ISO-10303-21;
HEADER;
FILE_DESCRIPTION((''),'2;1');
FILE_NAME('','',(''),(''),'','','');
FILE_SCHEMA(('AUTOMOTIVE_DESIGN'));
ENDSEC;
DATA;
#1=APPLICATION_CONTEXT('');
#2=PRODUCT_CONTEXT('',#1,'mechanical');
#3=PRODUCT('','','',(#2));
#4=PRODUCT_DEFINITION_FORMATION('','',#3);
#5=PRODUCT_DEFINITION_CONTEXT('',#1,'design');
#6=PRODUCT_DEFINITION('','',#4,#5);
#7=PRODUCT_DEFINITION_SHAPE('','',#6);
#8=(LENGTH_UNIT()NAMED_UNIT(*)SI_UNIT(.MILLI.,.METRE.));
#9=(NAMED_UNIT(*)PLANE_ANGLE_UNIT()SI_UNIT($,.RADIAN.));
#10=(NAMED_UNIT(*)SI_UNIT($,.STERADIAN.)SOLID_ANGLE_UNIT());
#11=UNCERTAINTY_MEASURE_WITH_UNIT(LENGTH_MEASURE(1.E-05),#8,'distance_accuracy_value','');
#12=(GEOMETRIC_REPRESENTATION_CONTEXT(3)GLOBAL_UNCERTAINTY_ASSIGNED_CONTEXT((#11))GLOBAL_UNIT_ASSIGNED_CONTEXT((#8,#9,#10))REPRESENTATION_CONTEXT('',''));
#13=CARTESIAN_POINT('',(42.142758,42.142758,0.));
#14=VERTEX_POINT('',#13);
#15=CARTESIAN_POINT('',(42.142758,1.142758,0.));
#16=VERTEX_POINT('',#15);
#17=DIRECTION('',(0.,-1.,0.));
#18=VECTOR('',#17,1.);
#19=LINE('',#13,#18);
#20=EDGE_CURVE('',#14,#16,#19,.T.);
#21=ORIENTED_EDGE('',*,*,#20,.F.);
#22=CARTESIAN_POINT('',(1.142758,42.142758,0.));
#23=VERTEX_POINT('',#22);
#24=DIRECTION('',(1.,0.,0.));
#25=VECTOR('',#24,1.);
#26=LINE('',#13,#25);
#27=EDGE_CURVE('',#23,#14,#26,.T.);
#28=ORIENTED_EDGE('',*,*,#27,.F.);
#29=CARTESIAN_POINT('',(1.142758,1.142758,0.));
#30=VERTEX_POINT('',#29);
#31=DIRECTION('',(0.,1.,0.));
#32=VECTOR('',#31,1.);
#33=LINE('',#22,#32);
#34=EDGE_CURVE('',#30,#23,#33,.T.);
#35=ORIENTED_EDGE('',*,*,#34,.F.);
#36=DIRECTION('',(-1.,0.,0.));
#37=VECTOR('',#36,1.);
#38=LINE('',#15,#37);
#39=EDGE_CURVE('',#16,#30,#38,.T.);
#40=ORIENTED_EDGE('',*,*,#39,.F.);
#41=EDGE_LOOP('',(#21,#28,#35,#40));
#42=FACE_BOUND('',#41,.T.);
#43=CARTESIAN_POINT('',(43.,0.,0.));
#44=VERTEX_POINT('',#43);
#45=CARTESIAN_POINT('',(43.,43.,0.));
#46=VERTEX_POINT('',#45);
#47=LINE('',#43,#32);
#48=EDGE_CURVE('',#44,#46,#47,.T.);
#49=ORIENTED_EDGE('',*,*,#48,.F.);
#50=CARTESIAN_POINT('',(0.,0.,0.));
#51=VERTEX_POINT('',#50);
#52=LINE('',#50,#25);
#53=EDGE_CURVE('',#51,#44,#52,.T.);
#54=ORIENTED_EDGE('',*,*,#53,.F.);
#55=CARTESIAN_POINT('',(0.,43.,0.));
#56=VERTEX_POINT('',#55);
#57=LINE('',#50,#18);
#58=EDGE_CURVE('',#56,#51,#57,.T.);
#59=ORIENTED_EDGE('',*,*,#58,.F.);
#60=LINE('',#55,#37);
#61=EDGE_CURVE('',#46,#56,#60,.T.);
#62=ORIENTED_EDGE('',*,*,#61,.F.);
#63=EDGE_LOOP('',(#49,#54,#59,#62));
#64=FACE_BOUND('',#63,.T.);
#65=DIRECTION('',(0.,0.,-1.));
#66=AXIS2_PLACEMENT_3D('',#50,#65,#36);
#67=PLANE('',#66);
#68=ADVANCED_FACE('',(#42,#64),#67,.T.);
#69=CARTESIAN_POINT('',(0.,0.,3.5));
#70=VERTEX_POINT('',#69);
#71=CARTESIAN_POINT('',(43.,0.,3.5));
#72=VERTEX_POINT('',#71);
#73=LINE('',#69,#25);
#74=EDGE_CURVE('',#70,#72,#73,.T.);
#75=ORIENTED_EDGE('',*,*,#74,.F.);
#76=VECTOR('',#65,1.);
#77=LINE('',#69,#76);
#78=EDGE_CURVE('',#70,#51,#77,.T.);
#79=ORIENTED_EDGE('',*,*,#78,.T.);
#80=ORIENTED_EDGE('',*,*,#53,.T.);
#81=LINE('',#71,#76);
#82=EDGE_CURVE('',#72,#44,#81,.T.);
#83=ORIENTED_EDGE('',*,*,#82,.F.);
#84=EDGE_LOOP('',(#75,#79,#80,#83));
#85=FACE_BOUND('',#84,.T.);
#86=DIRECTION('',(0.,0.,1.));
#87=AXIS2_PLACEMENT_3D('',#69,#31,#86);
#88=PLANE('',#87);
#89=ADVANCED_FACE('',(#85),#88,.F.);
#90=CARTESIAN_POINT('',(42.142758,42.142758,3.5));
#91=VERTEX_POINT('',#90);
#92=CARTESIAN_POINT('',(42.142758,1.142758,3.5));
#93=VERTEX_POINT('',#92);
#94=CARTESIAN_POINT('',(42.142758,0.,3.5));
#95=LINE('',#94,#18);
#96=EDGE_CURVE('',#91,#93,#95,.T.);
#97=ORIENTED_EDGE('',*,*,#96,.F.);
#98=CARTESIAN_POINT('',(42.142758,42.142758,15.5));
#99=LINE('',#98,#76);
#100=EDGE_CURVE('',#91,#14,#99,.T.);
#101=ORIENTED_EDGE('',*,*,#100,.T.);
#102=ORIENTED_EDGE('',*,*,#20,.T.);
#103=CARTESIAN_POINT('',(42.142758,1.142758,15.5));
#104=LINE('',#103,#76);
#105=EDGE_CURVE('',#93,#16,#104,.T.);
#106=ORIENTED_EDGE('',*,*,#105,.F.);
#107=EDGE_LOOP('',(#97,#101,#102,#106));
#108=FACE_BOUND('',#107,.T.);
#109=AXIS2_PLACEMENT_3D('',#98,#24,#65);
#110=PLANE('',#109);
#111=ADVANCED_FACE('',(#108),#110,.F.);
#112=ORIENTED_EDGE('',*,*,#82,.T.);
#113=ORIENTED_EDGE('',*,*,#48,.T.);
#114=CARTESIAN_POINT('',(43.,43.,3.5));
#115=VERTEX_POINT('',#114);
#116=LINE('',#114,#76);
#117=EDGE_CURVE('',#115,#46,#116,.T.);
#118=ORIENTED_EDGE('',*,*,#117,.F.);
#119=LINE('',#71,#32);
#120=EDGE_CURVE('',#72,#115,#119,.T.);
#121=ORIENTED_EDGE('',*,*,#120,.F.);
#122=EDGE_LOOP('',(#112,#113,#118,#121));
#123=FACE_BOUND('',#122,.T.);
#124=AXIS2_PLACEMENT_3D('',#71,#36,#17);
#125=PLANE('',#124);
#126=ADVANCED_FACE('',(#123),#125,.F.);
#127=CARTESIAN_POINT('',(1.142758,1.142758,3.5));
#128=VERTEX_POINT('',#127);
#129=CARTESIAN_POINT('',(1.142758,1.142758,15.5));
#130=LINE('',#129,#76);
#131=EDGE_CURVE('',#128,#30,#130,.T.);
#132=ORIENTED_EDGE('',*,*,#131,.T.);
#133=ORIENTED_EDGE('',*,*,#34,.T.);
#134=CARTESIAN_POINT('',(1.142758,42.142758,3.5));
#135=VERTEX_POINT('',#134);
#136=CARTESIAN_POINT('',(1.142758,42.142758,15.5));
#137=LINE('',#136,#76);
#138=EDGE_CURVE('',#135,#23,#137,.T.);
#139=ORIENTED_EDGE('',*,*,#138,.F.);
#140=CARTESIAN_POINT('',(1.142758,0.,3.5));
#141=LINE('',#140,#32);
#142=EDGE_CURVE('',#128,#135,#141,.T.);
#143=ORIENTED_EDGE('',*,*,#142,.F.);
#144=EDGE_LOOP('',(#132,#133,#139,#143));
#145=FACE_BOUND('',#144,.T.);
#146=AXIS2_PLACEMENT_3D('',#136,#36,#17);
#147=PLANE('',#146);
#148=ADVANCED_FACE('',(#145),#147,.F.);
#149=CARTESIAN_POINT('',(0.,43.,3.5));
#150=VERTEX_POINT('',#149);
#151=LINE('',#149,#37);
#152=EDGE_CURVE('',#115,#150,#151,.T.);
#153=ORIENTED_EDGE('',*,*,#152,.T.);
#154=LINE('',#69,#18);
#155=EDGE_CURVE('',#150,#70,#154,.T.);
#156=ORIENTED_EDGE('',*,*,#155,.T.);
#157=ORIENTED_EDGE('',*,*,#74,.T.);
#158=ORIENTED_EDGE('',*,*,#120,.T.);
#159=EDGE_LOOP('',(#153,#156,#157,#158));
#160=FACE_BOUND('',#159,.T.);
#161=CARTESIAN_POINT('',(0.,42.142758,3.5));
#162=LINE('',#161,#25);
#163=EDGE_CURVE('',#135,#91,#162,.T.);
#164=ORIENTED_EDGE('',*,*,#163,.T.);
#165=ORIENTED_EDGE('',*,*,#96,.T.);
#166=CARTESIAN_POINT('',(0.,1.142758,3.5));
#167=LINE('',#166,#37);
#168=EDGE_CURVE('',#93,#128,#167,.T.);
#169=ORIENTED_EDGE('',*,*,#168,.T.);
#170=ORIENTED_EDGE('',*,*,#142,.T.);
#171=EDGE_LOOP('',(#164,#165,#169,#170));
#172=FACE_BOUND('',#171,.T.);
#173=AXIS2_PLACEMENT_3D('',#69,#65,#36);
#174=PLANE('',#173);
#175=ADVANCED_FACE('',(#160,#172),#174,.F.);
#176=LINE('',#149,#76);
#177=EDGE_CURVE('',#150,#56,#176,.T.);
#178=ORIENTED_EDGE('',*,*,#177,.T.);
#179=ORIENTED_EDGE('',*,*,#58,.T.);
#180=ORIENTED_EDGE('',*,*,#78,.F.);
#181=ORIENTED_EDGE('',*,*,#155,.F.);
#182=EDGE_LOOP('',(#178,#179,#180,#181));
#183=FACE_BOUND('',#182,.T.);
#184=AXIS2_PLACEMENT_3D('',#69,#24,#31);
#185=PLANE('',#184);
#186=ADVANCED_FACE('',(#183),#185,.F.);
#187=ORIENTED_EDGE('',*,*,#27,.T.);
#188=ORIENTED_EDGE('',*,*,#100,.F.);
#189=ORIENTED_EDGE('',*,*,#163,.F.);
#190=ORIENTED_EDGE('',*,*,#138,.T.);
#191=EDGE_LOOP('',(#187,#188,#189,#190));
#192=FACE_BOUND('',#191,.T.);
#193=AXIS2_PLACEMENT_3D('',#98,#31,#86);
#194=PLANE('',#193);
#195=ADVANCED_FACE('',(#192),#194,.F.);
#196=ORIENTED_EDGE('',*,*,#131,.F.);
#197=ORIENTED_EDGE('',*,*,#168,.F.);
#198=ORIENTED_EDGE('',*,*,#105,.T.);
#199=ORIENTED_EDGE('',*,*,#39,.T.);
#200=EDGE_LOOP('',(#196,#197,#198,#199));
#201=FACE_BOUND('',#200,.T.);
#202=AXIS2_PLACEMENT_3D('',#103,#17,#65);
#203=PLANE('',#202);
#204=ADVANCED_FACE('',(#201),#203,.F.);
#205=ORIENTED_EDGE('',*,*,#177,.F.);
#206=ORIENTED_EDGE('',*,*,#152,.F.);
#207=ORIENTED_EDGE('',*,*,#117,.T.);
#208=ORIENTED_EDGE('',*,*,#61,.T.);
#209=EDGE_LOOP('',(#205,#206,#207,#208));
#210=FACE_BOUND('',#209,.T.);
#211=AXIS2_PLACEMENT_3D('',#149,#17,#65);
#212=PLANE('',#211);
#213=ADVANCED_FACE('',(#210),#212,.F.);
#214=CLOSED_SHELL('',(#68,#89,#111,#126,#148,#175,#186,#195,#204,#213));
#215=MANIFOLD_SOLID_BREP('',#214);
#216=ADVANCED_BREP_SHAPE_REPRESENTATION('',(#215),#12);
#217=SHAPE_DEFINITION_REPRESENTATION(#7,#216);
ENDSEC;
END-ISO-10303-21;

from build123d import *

# Parameters (mm, degrees)
SCHIZZO1_W                   = 43
SCHIZZO1_H                   = 43
ESTRUSIONE_ESTRUSIONE1_DEPTH = 3.5
SCHIZZO8_W                   = 41
SCHIZZO8_H                   = 41
TAGLIO_ESTRUSIONE1_DEPTH     = 15.5


with BuildPart() as part:
    # Schizzo1 → Estrusione-Estrusione1 (new body)
    with BuildSketch(Plane.XY):
        with Locations((21.5, 21.5)):
            Rectangle(SCHIZZO1_W, SCHIZZO1_H)
    extrude(amount=ESTRUSIONE_ESTRUSIONE1_DEPTH)

    # Schizzo8 → Taglio-Estrusione1 (cut)
    with BuildSketch(Plane(origin=(0, 0, 0), x_dir=(-1, 0, 0), z_dir=(0, 0, -1))):
        with Locations((-21.642757503, 21.642757503)):
            Rectangle(SCHIZZO8_W, SCHIZZO8_H)
    extrude(amount=-TAGLIO_ESTRUSIONE1_DEPTH, mode=Mode.SUBTRACT)


solid = part.part
